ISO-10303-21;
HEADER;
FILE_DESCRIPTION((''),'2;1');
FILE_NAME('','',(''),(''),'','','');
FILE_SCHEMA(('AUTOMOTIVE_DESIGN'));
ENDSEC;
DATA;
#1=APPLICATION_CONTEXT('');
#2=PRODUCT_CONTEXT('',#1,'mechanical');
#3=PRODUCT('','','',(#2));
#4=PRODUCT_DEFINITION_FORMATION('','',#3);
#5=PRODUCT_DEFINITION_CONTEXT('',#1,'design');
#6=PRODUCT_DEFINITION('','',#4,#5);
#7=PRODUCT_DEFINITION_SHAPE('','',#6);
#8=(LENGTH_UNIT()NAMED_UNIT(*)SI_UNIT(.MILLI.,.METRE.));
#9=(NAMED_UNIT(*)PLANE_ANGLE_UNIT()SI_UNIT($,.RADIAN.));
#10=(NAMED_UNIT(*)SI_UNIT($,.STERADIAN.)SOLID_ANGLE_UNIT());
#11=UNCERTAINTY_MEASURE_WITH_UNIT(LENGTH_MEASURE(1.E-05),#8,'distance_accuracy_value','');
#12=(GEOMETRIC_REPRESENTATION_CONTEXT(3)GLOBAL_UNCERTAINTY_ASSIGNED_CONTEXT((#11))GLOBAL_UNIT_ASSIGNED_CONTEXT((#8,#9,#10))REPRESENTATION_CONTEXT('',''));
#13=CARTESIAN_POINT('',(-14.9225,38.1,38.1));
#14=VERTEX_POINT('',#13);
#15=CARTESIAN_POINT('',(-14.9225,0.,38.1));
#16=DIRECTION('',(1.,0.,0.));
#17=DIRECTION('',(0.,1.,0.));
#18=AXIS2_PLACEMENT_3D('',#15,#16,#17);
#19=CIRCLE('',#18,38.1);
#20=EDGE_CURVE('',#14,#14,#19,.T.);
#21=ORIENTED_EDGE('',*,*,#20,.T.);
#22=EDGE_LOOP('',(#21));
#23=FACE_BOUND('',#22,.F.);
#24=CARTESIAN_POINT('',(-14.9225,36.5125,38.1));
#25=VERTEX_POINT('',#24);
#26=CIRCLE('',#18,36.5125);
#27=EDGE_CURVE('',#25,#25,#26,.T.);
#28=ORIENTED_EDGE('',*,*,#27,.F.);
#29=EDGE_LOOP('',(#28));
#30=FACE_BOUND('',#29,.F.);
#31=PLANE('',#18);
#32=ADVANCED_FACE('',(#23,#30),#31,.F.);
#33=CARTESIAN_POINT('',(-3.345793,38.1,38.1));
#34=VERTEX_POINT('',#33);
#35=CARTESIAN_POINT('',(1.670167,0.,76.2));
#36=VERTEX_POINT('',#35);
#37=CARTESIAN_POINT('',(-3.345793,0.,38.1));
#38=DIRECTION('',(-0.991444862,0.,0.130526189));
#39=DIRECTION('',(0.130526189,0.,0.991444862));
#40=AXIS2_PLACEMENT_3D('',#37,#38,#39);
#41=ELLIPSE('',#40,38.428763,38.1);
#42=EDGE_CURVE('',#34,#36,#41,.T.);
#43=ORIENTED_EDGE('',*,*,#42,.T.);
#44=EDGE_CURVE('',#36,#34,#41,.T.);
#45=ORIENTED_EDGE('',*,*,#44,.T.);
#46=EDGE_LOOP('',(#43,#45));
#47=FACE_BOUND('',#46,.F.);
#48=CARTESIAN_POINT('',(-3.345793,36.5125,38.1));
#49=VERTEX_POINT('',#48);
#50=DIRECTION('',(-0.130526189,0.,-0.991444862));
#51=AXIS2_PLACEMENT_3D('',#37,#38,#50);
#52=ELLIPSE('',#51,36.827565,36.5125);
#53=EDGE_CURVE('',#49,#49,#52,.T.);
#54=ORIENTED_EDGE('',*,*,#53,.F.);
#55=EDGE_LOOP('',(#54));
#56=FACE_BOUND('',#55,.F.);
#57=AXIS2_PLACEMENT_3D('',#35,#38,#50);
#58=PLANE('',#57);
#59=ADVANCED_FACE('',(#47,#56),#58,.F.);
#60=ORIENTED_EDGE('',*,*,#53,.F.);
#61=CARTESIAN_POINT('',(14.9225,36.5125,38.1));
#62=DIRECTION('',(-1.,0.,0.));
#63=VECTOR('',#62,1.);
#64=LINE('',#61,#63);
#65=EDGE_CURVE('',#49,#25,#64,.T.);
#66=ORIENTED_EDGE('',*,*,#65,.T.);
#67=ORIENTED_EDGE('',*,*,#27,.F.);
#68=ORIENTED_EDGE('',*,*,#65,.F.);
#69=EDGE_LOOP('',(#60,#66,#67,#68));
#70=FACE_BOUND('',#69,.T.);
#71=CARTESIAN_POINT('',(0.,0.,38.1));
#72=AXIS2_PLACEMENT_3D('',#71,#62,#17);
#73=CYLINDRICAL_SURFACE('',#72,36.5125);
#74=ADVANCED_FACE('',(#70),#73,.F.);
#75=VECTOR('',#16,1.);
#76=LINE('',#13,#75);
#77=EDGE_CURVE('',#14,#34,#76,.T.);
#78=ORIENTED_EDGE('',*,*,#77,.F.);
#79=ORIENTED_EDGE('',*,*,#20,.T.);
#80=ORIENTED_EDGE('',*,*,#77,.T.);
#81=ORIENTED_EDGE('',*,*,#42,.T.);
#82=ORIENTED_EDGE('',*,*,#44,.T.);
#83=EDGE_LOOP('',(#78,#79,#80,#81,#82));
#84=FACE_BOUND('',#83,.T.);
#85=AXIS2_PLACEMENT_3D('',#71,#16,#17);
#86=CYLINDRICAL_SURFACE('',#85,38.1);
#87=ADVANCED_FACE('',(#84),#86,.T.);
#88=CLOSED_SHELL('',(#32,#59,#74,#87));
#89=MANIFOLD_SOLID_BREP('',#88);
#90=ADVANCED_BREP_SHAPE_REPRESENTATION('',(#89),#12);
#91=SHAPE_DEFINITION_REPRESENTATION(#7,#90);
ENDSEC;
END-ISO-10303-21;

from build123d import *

# Parameters (mm, degrees)
F0_R     = 38.1
F0_R_2   = 36.5125
F1_DEPTH = 14.9225
F3_DEPTH = 63.5


with BuildPart() as f1:
    # F0 (on Right) → F1 (new body, symmetric)
    with BuildSketch(Plane.YZ):
        with Locations((0, 38.1)):
            Circle(F0_R)
        with Locations((0, 38.1)):
            Circle(F0_R_2, mode=Mode.SUBTRACT)
    extrude(amount=F1_DEPTH, both=True)

    # F2 (on Front) → F3 (cut, symmetric)
    with BuildSketch(Plane.XZ):
        Polygon((1.670167, 76.2), (-10.148637, -13.572731), (14.989981, -13.572731), (14.989981, 76.2), align=None)
    extrude(amount=F3_DEPTH, both=True, mode=Mode.SUBTRACT)


solid = f1.part
